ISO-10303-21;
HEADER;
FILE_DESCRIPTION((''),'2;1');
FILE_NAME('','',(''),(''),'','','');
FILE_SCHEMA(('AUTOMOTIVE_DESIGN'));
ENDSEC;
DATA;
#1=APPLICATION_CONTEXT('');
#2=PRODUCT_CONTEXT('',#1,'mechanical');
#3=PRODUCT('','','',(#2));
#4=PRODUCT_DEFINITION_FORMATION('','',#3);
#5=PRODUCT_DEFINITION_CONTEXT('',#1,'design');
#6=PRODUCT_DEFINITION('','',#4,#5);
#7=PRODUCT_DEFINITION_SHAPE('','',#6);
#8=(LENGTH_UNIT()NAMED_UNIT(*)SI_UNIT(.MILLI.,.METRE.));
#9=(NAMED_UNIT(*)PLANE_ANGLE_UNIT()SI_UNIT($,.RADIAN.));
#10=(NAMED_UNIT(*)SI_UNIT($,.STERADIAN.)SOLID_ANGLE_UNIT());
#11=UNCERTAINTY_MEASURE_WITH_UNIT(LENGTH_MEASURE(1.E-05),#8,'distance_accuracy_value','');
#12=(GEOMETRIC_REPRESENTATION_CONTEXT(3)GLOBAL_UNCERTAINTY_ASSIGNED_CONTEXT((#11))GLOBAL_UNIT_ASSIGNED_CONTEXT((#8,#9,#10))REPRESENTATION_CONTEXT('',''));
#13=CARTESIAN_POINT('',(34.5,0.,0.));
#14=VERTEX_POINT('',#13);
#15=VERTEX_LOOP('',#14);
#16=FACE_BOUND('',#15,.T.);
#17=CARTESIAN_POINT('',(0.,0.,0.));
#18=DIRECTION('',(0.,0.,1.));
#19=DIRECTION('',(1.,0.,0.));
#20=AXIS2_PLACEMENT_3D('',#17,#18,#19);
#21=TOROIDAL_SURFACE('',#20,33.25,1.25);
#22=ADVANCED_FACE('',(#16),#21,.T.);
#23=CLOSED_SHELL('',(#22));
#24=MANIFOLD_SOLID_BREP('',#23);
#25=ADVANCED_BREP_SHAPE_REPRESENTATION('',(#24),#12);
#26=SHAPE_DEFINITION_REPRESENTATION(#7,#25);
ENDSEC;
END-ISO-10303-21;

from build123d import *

# Parameters (mm, degrees)
SKETCH1_R = 1.25


with BuildPart() as part:
    # Sketch1 → Revolve1 (revolve)
    with BuildSketch(Plane(origin=(0, 0, 0), x_dir=(0, -1, 0), z_dir=(1, 0, 0))):
        with Locations((33.25, 0)):
            Circle(SKETCH1_R)
    revolve(axis=Axis((0, 0, 1.25), (0, 0, -1)))


solid = part.part
